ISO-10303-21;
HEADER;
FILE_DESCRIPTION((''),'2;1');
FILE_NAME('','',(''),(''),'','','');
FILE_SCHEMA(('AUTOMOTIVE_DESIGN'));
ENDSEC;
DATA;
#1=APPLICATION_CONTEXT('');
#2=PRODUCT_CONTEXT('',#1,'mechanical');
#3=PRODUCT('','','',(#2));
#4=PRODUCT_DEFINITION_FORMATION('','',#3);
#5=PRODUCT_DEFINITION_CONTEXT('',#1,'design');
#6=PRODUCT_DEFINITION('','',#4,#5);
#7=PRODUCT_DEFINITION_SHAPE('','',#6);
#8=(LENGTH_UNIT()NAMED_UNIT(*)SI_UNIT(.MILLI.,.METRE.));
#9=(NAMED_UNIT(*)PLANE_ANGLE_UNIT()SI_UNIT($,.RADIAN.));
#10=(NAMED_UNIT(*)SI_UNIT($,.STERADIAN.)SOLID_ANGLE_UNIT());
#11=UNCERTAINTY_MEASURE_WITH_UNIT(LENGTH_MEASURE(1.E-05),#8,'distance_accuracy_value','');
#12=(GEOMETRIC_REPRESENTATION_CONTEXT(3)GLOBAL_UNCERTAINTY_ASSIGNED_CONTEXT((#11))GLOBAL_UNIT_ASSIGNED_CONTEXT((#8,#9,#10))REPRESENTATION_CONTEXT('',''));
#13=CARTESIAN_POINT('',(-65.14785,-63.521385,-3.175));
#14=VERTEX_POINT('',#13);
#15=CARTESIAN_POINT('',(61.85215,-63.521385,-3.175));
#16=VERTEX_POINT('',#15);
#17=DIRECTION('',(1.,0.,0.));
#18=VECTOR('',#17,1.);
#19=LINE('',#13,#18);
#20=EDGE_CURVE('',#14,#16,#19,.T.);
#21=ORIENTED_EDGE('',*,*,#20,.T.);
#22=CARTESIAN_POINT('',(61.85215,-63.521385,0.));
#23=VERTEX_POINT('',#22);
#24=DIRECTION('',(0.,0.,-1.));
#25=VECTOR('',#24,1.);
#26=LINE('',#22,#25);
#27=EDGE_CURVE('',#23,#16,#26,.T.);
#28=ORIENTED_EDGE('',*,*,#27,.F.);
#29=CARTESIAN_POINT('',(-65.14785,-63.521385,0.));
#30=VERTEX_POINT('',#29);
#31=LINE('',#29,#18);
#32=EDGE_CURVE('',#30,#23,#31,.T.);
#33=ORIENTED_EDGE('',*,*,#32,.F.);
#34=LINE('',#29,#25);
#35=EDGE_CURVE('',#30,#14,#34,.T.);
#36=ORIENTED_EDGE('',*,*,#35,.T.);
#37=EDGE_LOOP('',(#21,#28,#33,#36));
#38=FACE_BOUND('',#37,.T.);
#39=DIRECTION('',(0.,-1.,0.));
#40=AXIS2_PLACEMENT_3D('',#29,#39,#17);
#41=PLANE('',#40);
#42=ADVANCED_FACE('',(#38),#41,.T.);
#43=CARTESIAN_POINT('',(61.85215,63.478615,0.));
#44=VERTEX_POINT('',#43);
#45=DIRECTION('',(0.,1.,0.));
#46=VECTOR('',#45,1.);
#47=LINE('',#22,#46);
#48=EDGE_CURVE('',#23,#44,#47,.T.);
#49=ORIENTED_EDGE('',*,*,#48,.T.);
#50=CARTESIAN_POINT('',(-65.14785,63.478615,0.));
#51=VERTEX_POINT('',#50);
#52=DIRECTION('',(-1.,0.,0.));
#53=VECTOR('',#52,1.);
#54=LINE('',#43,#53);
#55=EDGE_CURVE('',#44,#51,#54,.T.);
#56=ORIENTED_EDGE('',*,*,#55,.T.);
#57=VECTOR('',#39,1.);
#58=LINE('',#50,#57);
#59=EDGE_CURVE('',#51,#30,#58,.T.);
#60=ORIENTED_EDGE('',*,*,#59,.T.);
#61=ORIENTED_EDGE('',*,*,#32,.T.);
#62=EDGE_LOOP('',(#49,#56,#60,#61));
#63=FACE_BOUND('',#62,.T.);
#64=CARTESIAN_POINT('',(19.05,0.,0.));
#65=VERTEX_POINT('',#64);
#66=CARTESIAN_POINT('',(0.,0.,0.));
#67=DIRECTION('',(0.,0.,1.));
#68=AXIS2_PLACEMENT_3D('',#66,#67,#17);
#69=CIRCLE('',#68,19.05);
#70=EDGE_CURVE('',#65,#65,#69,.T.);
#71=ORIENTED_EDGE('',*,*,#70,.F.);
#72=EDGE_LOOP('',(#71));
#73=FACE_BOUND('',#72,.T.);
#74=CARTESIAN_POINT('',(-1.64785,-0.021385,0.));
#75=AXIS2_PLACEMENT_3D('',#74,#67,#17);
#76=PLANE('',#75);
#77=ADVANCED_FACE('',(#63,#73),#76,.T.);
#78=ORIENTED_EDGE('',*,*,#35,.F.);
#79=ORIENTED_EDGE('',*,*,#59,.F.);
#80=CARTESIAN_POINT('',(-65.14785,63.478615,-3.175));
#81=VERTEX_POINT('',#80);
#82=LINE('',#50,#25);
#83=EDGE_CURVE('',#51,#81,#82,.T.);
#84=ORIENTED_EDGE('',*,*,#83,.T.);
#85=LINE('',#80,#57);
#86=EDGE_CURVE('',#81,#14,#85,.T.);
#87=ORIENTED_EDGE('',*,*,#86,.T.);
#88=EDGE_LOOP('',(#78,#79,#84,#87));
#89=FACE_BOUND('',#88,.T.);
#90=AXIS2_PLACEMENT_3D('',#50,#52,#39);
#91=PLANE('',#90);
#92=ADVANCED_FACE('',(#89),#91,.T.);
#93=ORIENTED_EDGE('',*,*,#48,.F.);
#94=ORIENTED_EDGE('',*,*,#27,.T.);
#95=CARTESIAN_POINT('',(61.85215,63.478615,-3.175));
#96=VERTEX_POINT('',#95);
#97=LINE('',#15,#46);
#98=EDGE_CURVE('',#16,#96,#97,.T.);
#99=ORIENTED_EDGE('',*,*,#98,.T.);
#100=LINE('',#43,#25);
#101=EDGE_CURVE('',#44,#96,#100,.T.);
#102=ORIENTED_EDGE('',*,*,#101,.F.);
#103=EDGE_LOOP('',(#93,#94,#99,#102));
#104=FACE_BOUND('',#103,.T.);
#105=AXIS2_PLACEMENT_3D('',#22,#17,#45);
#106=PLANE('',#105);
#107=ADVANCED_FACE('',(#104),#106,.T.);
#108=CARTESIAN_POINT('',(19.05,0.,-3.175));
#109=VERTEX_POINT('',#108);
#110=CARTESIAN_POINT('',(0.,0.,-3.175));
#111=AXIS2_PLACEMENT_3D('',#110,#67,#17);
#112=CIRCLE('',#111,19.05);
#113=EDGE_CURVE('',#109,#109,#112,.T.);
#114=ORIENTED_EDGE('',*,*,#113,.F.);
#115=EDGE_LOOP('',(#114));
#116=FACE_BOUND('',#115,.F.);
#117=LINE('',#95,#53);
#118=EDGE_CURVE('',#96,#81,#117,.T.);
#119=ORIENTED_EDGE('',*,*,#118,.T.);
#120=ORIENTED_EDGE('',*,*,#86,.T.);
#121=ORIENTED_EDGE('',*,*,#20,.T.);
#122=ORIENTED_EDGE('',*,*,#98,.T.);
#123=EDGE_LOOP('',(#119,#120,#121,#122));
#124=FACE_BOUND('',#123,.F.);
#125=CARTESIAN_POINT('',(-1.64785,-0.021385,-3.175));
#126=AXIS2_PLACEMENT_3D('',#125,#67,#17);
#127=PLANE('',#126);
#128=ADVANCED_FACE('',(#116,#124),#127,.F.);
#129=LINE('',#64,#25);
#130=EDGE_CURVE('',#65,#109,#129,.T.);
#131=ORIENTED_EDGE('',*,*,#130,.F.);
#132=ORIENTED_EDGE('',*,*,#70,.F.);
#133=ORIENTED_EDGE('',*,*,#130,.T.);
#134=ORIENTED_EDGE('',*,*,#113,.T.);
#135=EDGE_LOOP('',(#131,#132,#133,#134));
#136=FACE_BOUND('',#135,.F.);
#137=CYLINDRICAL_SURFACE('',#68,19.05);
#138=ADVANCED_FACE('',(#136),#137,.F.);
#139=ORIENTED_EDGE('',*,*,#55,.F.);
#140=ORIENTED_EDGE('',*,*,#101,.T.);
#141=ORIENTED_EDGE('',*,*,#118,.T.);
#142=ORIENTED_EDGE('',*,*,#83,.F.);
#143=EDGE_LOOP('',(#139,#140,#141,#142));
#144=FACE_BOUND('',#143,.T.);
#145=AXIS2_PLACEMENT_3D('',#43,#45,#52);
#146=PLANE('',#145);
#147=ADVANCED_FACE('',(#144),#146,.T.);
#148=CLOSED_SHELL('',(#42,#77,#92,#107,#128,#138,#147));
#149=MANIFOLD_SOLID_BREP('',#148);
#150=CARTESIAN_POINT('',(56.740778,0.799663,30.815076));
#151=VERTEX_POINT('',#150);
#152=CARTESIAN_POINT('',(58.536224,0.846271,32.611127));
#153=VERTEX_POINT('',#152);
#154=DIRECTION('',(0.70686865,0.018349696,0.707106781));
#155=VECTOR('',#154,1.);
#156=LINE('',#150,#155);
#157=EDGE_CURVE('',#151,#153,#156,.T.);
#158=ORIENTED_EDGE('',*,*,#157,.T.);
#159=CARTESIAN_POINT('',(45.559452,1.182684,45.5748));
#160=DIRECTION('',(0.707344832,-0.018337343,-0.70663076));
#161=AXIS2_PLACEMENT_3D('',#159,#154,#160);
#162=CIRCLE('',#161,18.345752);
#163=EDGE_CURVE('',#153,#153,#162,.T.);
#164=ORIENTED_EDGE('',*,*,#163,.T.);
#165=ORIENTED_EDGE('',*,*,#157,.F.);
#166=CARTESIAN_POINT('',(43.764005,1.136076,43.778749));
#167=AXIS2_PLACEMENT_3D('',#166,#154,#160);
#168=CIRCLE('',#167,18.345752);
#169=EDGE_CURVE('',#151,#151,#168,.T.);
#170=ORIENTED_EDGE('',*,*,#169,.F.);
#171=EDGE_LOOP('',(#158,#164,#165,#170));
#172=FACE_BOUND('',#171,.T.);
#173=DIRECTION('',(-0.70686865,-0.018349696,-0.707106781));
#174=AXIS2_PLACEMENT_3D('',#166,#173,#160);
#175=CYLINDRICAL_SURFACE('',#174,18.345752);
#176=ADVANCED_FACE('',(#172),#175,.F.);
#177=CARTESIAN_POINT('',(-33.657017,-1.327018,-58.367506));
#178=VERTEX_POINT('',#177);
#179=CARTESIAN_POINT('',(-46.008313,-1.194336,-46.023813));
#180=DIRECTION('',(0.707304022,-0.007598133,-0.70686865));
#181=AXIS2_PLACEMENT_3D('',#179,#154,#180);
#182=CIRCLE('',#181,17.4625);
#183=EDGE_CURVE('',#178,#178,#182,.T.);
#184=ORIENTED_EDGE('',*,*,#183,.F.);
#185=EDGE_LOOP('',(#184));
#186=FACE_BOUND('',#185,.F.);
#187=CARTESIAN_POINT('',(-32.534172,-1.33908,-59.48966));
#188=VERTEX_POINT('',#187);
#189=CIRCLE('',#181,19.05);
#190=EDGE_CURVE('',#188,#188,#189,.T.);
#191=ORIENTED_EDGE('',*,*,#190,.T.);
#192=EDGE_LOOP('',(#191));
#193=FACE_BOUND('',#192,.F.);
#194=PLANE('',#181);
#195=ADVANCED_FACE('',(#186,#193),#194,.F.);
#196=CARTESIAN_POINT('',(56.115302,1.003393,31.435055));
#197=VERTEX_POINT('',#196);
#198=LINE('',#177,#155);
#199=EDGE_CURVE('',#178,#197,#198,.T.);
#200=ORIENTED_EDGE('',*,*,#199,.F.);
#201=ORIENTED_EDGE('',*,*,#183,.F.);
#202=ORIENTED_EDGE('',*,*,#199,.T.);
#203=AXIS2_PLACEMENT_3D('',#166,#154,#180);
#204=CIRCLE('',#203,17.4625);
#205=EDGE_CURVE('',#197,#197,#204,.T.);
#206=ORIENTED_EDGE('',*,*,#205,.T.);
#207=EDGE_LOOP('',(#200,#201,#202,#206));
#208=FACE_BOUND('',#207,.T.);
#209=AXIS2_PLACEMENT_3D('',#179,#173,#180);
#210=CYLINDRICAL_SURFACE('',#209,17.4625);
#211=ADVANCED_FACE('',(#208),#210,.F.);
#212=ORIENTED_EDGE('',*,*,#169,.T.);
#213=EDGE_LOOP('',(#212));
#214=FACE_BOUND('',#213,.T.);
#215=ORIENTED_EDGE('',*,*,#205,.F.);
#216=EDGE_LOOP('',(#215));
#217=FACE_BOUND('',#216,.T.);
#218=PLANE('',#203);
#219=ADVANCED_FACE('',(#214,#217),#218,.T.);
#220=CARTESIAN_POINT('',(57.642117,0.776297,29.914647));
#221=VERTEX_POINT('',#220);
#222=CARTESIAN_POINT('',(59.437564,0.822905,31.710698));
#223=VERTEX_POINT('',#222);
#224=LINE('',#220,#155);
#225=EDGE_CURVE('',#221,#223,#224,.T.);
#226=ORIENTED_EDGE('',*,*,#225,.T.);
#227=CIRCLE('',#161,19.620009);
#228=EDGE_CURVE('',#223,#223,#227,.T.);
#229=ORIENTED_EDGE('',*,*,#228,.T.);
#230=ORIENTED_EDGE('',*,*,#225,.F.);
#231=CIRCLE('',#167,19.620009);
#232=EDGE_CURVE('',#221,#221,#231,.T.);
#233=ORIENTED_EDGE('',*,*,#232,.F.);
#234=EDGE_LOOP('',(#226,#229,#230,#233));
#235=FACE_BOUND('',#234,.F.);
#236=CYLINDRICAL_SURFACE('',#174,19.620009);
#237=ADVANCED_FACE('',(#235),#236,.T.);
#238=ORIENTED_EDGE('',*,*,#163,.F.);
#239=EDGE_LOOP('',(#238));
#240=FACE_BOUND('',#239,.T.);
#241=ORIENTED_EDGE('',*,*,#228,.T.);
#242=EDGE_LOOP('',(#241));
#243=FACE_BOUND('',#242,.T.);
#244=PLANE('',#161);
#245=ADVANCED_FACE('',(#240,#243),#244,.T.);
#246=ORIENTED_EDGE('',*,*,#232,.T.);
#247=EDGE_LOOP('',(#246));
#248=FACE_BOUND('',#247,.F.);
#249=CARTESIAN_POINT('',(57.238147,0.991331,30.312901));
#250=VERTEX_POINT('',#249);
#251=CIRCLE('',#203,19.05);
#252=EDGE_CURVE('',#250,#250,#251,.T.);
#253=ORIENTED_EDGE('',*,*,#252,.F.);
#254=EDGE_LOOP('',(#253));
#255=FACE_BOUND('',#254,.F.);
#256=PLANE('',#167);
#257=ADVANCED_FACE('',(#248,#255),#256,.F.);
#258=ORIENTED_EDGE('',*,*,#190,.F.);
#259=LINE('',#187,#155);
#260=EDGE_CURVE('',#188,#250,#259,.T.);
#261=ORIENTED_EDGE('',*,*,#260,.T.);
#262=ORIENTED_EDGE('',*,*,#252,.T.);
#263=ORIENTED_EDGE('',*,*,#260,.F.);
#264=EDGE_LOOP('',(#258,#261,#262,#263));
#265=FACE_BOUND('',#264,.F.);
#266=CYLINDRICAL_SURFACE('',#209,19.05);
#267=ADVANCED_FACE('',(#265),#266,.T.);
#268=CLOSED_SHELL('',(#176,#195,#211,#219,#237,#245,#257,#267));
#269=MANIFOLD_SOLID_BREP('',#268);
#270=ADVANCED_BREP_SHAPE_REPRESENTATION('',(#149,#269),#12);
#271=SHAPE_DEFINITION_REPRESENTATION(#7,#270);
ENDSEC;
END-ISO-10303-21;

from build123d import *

# Parameters (mm, degrees)
F0_R     = 19.05
F0_R_2   = 17.4625
F1_DEPTH = 127
F2_DEPTH = 3.175
F4_ANGLE = 45
F5_R     = 19.6200089016
F5_R_2   = 19.05
F5_R_3   = 18.3457518045
F6_DEPTH = 2.54


with BuildPart() as f1:
    # F0 (on Top) → F1 (new body)
    with BuildSketch(Plane.XY):
        Circle(F0_R)
        Circle(F0_R_2, mode=Mode.SUBTRACT)
    extrude(amount=F1_DEPTH)


with BuildPart() as f2:
    # F0 (on Top) → F2 (new body)
    with BuildSketch(Plane.XY):
        Polygon((61.8521502989, 63.4786152288), (-1.6478497011, 63.4786152288), (-65.1478497011, 63.4786152288), (-65.1478497011, -63.5213847712), (61.8521502989, -63.5213847712), align=None)
        Circle(F0_R, mode=Mode.SUBTRACT)
    extrude(amount=-F2_DEPTH)


with BuildPart() as f1_1:
    # F3: moved
    add(f1.part.moved(Location((0, 0, -65.0875))))


with BuildPart() as f1_2:
    # F4: moved
    add(f1_1.part.rotate(Axis((-0.8239248506, 31.7393076144, 0), (-0.025950389, 0.9996632319, 0)), F4_ANGLE))

    # F5 (on face) → F6 (join)
    with BuildSketch(Plane(origin=(43.7640053064, 1.1360755556, 43.7787485902), x_dir=(0.707344832, -0.0183373431, -0.7066307597), z_dir=(0.7068686502, 0.018349696, 0.7071067812))):
        Circle(F5_R)
        Circle(F5_R_2, mode=Mode.SUBTRACT)
        Circle(F5_R_2)
        Circle(F5_R_3, mode=Mode.SUBTRACT)
    extrude(amount=F6_DEPTH)


solid = Compound([f2.part, f1_2.part])
